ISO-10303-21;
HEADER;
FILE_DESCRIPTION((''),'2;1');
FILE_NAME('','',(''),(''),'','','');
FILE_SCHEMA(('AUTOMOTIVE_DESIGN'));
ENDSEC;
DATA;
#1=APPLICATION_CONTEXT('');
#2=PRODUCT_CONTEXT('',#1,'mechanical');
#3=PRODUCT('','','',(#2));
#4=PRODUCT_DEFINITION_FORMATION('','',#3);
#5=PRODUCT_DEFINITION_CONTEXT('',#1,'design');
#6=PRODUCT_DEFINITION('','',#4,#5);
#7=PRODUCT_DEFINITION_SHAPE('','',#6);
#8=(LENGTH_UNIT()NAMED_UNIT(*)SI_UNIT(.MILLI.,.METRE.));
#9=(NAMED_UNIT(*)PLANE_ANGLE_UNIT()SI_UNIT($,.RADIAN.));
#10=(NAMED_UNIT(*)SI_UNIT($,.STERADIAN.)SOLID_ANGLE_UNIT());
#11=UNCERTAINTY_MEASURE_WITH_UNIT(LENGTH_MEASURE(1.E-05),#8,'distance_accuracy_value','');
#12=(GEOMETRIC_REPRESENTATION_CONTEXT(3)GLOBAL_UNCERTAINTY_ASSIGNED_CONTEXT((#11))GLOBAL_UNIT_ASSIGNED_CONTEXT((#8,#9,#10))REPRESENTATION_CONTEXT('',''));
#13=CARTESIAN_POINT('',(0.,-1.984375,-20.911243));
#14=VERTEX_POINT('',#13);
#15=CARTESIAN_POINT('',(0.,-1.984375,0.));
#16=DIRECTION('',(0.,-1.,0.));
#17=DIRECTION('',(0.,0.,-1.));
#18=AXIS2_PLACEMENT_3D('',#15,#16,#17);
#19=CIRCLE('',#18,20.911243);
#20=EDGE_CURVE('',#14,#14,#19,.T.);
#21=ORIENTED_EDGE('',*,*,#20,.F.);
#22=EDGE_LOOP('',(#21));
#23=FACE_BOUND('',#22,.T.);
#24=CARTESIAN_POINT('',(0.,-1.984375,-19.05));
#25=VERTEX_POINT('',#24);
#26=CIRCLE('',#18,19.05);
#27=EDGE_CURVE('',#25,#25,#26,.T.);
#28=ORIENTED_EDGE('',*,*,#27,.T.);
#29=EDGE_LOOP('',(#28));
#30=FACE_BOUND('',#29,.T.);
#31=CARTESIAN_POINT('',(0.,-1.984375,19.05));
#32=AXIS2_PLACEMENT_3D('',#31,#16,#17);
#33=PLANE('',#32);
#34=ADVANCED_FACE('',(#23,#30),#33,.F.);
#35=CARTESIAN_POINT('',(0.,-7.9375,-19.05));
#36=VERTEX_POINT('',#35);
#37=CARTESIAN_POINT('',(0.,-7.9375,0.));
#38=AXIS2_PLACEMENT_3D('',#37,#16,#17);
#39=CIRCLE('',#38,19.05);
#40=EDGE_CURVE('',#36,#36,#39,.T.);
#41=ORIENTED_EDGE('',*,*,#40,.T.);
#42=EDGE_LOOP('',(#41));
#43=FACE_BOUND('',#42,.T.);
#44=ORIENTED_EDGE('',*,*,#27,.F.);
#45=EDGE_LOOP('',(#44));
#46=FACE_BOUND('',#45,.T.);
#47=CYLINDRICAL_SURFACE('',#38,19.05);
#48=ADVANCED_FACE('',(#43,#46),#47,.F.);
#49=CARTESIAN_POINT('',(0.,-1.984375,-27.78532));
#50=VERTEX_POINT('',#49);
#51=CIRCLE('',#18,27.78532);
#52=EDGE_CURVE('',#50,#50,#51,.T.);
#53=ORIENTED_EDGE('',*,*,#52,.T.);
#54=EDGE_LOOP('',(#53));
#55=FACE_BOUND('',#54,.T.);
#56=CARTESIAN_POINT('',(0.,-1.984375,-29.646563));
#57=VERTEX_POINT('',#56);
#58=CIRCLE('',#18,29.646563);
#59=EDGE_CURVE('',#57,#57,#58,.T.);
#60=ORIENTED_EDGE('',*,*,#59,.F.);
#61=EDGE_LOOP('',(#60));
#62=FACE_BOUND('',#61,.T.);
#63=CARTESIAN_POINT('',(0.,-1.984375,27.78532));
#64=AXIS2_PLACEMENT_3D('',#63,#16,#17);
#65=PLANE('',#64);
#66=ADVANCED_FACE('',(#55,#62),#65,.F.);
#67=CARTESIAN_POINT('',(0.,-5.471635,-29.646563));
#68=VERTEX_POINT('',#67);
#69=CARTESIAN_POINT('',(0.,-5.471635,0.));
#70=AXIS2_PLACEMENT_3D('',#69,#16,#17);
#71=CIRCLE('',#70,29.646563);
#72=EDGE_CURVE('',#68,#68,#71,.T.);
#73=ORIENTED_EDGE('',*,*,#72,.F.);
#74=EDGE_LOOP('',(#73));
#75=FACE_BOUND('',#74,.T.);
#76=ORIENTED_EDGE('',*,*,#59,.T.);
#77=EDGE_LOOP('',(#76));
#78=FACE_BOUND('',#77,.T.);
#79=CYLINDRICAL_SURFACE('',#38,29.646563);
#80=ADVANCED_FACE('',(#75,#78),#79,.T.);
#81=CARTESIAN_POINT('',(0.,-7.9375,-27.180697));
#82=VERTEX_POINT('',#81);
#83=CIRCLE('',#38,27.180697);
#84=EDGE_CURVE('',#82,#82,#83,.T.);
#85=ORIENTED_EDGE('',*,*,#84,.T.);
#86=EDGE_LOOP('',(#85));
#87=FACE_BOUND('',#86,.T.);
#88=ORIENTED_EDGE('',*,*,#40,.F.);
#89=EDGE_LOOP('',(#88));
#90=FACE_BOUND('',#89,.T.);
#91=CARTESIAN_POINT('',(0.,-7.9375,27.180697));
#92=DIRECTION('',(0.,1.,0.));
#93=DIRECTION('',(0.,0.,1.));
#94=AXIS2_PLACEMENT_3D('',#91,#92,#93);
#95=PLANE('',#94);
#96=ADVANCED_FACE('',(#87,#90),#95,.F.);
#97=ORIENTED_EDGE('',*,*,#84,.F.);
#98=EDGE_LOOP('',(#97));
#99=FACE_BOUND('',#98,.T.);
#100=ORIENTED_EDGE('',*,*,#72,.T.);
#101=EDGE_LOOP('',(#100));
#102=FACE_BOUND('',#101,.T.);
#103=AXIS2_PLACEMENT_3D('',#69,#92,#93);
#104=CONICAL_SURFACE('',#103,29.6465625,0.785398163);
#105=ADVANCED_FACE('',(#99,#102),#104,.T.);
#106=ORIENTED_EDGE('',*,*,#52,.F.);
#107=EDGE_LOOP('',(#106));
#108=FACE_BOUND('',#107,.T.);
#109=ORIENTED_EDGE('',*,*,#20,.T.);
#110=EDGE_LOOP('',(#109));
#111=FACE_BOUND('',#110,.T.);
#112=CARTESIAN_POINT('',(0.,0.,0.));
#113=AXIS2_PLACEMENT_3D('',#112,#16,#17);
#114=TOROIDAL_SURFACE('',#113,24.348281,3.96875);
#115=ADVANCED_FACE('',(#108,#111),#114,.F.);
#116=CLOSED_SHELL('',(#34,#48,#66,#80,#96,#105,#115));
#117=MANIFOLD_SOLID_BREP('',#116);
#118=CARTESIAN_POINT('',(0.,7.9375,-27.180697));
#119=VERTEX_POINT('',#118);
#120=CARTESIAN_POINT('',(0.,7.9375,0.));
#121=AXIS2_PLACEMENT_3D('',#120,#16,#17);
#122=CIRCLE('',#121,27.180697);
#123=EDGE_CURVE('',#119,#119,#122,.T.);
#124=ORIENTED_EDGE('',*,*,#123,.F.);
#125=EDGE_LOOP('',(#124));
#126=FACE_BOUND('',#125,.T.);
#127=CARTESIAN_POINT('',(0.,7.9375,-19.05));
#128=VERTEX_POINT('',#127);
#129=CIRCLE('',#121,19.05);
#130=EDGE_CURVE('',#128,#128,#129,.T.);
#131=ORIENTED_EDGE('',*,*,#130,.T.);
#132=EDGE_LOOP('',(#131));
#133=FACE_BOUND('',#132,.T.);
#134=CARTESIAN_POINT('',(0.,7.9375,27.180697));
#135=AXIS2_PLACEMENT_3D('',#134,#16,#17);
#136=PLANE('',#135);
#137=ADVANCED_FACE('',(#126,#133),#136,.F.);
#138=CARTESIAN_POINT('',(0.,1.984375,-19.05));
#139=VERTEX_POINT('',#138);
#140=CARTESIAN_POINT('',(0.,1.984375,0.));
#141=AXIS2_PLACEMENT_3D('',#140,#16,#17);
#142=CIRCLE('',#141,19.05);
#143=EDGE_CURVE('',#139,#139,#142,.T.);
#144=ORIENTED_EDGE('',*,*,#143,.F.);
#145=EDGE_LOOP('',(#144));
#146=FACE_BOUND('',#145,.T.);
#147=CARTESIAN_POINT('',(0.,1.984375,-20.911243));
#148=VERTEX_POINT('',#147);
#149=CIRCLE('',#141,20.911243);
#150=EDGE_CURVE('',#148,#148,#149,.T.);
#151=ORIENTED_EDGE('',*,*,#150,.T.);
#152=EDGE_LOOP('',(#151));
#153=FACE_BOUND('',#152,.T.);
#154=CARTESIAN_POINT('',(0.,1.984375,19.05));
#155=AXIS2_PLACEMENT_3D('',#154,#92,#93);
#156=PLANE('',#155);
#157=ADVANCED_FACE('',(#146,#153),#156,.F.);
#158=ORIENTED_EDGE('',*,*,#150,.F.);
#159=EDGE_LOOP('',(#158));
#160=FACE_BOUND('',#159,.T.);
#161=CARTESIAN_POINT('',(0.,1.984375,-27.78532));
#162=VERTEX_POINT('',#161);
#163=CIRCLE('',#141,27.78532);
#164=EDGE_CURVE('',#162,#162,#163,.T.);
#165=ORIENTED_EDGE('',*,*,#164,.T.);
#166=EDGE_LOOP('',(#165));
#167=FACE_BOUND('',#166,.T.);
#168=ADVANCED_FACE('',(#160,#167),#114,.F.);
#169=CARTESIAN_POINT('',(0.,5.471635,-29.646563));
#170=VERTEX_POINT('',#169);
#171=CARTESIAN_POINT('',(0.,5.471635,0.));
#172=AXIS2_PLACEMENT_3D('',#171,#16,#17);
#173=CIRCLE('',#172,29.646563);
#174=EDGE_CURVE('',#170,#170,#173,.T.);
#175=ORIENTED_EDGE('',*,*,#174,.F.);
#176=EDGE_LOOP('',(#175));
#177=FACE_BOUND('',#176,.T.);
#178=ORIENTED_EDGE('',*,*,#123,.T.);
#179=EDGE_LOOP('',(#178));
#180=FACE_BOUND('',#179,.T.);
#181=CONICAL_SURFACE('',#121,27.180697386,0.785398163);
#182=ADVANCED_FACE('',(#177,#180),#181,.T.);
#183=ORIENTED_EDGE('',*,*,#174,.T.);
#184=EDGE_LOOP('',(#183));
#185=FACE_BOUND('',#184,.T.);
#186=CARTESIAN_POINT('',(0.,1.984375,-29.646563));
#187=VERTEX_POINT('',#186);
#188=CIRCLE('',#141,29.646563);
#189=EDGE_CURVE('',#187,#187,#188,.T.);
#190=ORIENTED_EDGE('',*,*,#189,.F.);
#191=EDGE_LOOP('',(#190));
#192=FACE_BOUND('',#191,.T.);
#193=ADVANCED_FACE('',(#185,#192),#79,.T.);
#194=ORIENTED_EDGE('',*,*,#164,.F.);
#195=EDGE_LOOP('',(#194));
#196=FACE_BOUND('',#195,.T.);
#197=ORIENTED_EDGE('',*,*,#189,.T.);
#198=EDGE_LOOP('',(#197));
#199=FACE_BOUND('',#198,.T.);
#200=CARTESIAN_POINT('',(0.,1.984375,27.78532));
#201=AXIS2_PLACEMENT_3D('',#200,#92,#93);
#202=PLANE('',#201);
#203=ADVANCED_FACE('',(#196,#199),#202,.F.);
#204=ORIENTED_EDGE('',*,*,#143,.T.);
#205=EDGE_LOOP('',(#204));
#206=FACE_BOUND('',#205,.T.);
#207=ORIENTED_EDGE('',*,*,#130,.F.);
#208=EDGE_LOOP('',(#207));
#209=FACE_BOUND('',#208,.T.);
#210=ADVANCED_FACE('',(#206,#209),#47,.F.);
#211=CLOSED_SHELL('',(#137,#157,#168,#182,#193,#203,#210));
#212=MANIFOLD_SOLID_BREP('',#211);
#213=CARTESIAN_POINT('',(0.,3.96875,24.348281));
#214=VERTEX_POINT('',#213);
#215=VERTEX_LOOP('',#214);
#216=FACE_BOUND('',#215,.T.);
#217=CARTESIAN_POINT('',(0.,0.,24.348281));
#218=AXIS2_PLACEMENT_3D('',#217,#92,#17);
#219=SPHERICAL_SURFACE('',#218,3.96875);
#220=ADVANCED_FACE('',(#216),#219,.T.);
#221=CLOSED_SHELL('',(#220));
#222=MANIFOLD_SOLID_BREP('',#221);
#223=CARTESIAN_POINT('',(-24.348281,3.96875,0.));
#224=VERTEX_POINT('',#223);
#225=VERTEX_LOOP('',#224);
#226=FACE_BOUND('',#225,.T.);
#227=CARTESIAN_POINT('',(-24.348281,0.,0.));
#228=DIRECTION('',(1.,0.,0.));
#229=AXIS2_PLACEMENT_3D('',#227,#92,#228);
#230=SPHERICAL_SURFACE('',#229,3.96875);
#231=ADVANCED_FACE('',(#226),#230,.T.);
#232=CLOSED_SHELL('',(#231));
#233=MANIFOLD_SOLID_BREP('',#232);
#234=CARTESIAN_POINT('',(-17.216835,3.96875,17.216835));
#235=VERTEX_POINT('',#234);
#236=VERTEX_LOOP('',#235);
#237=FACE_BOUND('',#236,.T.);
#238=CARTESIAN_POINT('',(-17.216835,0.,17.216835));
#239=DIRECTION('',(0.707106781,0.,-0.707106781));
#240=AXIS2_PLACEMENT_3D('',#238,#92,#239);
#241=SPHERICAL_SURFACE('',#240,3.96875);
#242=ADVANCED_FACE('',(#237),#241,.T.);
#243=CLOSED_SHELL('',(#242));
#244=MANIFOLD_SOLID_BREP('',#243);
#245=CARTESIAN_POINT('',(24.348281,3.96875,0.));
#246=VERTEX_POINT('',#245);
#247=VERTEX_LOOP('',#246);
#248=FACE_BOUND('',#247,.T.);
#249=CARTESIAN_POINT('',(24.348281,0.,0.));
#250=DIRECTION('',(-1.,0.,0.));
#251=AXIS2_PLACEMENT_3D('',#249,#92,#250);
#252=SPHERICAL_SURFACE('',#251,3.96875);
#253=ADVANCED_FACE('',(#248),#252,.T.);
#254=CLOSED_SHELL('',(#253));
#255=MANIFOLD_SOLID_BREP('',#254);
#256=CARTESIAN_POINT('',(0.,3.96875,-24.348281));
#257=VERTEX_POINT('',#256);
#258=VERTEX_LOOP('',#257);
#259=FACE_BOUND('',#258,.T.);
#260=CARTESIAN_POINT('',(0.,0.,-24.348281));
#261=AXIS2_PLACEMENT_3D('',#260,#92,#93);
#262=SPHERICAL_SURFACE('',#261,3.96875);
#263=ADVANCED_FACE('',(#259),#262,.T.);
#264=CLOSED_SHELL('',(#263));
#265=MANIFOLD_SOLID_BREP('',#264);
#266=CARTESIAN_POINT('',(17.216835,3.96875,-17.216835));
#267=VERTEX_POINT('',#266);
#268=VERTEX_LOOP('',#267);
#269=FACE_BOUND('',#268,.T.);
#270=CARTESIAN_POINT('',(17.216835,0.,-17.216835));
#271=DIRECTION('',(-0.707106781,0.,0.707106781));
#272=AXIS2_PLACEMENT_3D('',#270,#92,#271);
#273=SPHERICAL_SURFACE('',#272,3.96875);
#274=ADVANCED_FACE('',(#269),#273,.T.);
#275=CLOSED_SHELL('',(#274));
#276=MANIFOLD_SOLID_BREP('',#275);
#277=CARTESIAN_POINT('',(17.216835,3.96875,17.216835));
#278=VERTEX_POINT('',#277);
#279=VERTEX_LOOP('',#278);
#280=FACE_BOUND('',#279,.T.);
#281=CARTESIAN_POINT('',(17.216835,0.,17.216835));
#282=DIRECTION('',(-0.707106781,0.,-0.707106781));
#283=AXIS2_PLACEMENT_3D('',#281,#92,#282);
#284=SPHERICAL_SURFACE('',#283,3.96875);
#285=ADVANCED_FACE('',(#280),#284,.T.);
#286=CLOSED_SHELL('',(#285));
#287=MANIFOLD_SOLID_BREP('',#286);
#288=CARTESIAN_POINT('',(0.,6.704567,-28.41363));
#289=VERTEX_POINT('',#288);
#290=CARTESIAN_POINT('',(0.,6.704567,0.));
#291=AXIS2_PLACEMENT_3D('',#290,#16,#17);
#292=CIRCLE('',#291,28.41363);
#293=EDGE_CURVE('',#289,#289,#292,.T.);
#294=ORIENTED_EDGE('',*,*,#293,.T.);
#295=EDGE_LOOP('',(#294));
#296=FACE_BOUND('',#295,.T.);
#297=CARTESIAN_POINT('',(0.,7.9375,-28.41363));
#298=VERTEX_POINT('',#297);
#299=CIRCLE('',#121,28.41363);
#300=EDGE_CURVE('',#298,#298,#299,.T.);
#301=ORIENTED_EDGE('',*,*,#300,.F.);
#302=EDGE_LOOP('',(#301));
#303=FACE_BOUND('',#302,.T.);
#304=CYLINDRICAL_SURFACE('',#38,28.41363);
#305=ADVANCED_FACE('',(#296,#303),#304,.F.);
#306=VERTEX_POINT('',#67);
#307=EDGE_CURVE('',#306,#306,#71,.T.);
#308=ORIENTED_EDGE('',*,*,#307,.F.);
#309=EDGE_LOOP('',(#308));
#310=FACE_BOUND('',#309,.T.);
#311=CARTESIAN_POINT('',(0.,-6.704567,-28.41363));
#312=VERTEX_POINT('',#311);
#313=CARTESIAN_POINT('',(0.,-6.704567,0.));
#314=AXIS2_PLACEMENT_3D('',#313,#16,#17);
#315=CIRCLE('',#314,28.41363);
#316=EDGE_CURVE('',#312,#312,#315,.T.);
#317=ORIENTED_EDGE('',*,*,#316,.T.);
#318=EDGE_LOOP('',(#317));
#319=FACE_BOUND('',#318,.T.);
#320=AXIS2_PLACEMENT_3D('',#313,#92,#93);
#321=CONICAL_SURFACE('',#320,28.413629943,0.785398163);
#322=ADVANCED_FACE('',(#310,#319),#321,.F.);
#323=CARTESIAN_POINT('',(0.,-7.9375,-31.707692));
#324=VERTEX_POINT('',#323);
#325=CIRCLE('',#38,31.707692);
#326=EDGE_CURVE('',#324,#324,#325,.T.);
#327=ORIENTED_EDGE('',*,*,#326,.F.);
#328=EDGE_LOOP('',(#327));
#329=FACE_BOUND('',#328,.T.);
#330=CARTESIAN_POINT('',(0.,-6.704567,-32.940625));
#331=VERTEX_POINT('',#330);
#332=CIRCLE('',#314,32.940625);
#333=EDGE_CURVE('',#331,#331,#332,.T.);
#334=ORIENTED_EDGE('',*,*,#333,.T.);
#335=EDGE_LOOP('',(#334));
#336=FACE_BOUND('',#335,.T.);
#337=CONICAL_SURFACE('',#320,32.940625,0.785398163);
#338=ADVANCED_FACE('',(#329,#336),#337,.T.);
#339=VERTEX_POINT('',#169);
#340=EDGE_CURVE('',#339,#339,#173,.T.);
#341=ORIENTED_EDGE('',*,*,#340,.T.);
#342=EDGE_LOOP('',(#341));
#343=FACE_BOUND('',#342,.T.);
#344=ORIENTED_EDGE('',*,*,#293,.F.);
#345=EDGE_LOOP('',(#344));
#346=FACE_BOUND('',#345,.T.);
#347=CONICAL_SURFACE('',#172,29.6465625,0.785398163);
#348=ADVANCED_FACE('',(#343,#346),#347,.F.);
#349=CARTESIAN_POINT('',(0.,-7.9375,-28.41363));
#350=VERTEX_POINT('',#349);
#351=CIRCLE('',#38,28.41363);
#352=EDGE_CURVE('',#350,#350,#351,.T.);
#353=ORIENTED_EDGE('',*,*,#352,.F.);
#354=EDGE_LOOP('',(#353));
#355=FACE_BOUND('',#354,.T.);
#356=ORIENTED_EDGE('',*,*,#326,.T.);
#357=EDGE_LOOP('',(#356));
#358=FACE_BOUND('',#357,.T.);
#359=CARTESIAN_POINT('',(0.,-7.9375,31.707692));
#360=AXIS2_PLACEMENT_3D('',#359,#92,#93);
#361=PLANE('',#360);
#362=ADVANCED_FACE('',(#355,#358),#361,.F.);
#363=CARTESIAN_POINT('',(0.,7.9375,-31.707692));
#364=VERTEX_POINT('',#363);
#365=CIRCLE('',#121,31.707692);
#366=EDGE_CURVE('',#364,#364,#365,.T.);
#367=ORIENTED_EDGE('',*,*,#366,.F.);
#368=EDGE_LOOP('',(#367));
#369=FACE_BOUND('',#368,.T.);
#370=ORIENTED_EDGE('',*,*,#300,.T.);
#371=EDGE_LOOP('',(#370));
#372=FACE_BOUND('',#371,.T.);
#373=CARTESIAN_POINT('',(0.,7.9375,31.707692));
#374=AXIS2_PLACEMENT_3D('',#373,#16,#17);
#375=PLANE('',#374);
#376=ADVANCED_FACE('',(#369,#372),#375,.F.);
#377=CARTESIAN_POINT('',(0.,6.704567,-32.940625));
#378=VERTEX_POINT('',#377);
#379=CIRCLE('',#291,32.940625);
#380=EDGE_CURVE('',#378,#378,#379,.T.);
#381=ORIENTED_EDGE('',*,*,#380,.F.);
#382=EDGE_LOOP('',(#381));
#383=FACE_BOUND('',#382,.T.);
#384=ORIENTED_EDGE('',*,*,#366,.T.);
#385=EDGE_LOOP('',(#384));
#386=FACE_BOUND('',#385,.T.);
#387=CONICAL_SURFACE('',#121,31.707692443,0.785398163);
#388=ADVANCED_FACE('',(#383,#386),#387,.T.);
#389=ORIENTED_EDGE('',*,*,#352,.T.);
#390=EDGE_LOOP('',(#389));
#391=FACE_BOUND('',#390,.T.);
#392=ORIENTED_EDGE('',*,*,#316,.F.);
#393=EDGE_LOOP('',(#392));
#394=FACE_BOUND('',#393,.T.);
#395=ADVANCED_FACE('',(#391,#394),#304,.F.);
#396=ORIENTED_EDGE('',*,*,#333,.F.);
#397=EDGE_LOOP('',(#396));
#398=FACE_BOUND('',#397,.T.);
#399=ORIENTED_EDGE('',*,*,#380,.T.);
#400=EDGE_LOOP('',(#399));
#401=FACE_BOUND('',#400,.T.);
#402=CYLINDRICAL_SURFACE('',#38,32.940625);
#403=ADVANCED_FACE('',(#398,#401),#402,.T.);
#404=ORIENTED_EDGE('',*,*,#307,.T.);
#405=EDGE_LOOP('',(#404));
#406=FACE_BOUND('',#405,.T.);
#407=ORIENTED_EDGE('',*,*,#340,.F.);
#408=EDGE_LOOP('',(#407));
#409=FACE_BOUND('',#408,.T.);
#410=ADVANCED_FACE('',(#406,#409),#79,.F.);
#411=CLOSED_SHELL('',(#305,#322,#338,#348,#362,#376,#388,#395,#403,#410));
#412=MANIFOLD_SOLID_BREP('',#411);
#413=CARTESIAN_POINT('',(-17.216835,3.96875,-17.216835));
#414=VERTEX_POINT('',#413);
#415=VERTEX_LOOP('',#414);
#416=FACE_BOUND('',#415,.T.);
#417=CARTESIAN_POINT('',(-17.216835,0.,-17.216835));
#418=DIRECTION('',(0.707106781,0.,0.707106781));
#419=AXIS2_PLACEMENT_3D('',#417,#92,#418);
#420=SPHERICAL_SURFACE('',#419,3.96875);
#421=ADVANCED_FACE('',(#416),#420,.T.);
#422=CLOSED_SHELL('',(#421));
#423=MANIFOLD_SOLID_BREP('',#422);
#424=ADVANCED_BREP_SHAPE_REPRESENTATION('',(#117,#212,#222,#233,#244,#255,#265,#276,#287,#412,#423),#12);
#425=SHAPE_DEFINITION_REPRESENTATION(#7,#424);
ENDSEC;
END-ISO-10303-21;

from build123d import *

# Parameters (mm, degrees)
CIRPATTERN1_COUNT = 8


with BuildPart() as part:
    # Sketch2 → Revolve1 (revolve)
    with BuildSketch(Plane(origin=(0, 0, 0), x_dir=(0, 0, -1), z_dir=(1, 0, 0)), mode=Mode.PRIVATE) as revolve1_sk:
        with BuildLine():
            Line((-27.785319571, 1.984375), (-29.6465625, 1.984375))
            Line((-29.6465625, 1.984375), (-29.6465625, 5.471634886))
            Line((-29.6465625, 5.471634886), (-27.180697386, 7.9375))
            Line((-27.180697386, 7.9375), (-19.05, 7.9375))
            Line((-19.05, 7.9375), (-19.05, 1.984375))
            Line((-19.05, 1.984375), (-20.911242929, 1.984375))
            ThreePointArc((-20.911242929, 1.984375), (-24.34828125, 3.96875), (-27.785319571, 1.984375))
        make_face()
        with BuildLine():
            Line((-19.05, -1.984375), (-20.911242929, -1.984375))
            ThreePointArc((-20.911242929, -1.984375), (-24.34828125, -3.96875), (-27.785319571, -1.984375))
            Line((-27.785319571, -1.984375), (-29.6465625, -1.984375))
            Line((-29.6465625, -1.984375), (-29.6465625, -5.471634886))
            Line((-29.6465625, -5.471634886), (-27.180697386, -7.9375))
            Line((-27.180697386, -7.9375), (-19.05, -7.9375))
            Line((-19.05, -7.9375), (-19.05, -1.984375))
        make_face()
    revolve(revolve1_sk.sketch.rotate(Axis((0, -7.9375, 0), (0, 1, 0)), 180), axis=Axis((0, -7.9375, 0), (0, 1, 0)))


with BuildPart() as body_2:
    # Sketch3 → Revolve2 (revolve)
    with BuildSketch(Plane(origin=(0, 0, 0), x_dir=(0, 0, -1), z_dir=(1, 0, 0)), mode=Mode.PRIVATE) as revolve2_sk:
        Polygon((-28.413629943, 6.704567443), (-28.413629943, 7.9375), (-31.707692443, 7.9375), (-32.940625, 6.704567443), (-32.940625, -6.704567443), (-31.707692443, -7.9375), (-28.413629943, -7.9375), (-28.413629943, -6.704567443), (-29.6465625, -5.471634886), (-29.6465625, 5.471634886), align=None)
    revolve(revolve2_sk.sketch.rotate(Axis((0, -7.9375, 0), (0, 1, 0)), 180), axis=Axis((0, -7.9375, 0), (0, 1, 0)))


with BuildPart() as body_3:
    # Sketch4 → Revolve3 (revolve)
    with BuildSketch(Plane(origin=(0, 0, 0), x_dir=(0, 0, -1), z_dir=(1, 0, 0))):
        with BuildLine():
            Line((-24.34828125, 3.96875), (-24.34828125, -3.96875))
            ThreePointArc((-24.34828125, -3.96875), (-20.37953125, 0), (-24.34828125, 3.96875))
        make_face()
    revolve(axis=Axis((0, 3.96875, 24.34828125), (0, -1, 0)))


with BuildPart() as cirpattern1_1:
    # CirPattern1: pattern copy
    add(body_3.part.rotate(Axis((0, 0, 0), (0, 1, 0)), 1 * 360 / CIRPATTERN1_COUNT))


with BuildPart() as cirpattern1_2:
    # CirPattern1: pattern copy
    add(body_3.part.rotate(Axis((0, 0, 0), (0, 1, 0)), 2 * 360 / CIRPATTERN1_COUNT))


with BuildPart() as cirpattern1_3:
    # CirPattern1: pattern copy
    add(body_3.part.rotate(Axis((0, 0, 0), (0, 1, 0)), 3 * 360 / CIRPATTERN1_COUNT))


with BuildPart() as cirpattern1_4:
    # CirPattern1: pattern copy
    add(body_3.part.rotate(Axis((0, 0, 0), (0, 1, 0)), 4 * 360 / CIRPATTERN1_COUNT))


with BuildPart() as cirpattern1_5:
    # CirPattern1: pattern copy
    add(body_3.part.rotate(Axis((0, 0, 0), (0, 1, 0)), 5 * 360 / CIRPATTERN1_COUNT))


with BuildPart() as cirpattern1_6:
    # CirPattern1: pattern copy
    add(body_3.part.rotate(Axis((0, 0, 0), (0, 1, 0)), 6 * 360 / CIRPATTERN1_COUNT))


with BuildPart() as cirpattern1_7:
    # CirPattern1: pattern copy
    add(body_3.part.rotate(Axis((0, 0, 0), (0, 1, 0)), 7 * 360 / CIRPATTERN1_COUNT))


solid = Compound([part.part, body_2.part, body_3.part, cirpattern1_1.part, cirpattern1_2.part, cirpattern1_3.part, cirpattern1_4.part, cirpattern1_5.part, cirpattern1_6.part, cirpattern1_7.part])
